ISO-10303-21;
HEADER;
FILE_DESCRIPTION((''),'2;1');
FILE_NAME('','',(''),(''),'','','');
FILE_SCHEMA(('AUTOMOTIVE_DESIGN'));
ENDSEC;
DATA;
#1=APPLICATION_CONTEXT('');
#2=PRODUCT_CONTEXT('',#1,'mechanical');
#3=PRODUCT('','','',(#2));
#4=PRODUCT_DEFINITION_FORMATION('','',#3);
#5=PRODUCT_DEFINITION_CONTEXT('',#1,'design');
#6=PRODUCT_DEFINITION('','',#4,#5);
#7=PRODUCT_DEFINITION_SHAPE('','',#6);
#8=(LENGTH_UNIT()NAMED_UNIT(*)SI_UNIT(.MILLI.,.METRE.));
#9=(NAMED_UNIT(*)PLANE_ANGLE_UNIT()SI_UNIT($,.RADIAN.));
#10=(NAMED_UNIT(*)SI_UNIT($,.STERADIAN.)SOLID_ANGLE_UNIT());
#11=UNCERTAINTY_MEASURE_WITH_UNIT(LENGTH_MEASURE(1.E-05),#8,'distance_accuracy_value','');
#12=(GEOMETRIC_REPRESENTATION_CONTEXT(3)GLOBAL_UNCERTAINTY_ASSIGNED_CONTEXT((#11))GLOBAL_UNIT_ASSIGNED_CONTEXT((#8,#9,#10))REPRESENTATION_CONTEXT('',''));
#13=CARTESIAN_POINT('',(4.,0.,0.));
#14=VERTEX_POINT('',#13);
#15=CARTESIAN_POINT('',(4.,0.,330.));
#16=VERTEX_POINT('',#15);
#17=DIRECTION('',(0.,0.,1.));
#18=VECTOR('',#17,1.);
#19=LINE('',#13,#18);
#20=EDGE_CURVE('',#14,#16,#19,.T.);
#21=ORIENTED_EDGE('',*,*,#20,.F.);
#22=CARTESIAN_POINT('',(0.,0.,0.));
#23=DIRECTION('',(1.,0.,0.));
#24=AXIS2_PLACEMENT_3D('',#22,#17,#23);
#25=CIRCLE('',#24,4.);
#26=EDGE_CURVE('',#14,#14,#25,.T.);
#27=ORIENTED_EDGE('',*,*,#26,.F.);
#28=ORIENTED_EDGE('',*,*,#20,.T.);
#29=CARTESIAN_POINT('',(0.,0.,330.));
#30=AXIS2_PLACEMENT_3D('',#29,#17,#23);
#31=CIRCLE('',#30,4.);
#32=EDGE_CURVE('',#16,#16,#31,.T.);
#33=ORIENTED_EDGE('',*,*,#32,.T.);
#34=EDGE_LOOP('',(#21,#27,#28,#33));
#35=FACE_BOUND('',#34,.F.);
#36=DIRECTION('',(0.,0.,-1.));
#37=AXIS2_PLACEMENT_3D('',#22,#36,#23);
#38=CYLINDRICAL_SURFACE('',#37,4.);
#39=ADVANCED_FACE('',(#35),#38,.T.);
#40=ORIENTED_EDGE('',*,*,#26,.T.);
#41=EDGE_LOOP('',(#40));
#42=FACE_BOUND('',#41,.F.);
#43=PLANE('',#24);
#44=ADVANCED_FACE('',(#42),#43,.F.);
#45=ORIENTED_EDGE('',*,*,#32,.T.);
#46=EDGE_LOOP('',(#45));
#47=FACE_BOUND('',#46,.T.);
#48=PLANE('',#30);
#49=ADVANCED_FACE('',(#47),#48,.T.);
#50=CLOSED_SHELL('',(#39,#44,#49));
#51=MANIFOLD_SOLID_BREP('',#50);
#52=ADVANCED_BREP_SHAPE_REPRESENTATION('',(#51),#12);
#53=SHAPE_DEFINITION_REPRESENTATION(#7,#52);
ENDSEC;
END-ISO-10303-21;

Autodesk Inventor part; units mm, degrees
ref_plane "YZ Plane" through (0, 0, 0) normal (1, 0, 0) x (0, 1, 0)
ref_plane "XZ Plane" through (0, 0, 0) normal (0, 1, 0) x (-1, 0, 0)
ref_plane "XY Plane" through (0, 0, 0) normal (0, 0, 1) x (1, 0, 0)
sketch "Sketch1" plane through (0, 0, 0) normal (0, 0, 1) x (1, 0, 0)
  circle A0 centre (0, 0) radius 4
  dimension "d0" = 8
  dimension "d0" = 8
extrude "Extrusion1" add sketch "Sketch1" along normal blind 330
properties part number "Rod"
